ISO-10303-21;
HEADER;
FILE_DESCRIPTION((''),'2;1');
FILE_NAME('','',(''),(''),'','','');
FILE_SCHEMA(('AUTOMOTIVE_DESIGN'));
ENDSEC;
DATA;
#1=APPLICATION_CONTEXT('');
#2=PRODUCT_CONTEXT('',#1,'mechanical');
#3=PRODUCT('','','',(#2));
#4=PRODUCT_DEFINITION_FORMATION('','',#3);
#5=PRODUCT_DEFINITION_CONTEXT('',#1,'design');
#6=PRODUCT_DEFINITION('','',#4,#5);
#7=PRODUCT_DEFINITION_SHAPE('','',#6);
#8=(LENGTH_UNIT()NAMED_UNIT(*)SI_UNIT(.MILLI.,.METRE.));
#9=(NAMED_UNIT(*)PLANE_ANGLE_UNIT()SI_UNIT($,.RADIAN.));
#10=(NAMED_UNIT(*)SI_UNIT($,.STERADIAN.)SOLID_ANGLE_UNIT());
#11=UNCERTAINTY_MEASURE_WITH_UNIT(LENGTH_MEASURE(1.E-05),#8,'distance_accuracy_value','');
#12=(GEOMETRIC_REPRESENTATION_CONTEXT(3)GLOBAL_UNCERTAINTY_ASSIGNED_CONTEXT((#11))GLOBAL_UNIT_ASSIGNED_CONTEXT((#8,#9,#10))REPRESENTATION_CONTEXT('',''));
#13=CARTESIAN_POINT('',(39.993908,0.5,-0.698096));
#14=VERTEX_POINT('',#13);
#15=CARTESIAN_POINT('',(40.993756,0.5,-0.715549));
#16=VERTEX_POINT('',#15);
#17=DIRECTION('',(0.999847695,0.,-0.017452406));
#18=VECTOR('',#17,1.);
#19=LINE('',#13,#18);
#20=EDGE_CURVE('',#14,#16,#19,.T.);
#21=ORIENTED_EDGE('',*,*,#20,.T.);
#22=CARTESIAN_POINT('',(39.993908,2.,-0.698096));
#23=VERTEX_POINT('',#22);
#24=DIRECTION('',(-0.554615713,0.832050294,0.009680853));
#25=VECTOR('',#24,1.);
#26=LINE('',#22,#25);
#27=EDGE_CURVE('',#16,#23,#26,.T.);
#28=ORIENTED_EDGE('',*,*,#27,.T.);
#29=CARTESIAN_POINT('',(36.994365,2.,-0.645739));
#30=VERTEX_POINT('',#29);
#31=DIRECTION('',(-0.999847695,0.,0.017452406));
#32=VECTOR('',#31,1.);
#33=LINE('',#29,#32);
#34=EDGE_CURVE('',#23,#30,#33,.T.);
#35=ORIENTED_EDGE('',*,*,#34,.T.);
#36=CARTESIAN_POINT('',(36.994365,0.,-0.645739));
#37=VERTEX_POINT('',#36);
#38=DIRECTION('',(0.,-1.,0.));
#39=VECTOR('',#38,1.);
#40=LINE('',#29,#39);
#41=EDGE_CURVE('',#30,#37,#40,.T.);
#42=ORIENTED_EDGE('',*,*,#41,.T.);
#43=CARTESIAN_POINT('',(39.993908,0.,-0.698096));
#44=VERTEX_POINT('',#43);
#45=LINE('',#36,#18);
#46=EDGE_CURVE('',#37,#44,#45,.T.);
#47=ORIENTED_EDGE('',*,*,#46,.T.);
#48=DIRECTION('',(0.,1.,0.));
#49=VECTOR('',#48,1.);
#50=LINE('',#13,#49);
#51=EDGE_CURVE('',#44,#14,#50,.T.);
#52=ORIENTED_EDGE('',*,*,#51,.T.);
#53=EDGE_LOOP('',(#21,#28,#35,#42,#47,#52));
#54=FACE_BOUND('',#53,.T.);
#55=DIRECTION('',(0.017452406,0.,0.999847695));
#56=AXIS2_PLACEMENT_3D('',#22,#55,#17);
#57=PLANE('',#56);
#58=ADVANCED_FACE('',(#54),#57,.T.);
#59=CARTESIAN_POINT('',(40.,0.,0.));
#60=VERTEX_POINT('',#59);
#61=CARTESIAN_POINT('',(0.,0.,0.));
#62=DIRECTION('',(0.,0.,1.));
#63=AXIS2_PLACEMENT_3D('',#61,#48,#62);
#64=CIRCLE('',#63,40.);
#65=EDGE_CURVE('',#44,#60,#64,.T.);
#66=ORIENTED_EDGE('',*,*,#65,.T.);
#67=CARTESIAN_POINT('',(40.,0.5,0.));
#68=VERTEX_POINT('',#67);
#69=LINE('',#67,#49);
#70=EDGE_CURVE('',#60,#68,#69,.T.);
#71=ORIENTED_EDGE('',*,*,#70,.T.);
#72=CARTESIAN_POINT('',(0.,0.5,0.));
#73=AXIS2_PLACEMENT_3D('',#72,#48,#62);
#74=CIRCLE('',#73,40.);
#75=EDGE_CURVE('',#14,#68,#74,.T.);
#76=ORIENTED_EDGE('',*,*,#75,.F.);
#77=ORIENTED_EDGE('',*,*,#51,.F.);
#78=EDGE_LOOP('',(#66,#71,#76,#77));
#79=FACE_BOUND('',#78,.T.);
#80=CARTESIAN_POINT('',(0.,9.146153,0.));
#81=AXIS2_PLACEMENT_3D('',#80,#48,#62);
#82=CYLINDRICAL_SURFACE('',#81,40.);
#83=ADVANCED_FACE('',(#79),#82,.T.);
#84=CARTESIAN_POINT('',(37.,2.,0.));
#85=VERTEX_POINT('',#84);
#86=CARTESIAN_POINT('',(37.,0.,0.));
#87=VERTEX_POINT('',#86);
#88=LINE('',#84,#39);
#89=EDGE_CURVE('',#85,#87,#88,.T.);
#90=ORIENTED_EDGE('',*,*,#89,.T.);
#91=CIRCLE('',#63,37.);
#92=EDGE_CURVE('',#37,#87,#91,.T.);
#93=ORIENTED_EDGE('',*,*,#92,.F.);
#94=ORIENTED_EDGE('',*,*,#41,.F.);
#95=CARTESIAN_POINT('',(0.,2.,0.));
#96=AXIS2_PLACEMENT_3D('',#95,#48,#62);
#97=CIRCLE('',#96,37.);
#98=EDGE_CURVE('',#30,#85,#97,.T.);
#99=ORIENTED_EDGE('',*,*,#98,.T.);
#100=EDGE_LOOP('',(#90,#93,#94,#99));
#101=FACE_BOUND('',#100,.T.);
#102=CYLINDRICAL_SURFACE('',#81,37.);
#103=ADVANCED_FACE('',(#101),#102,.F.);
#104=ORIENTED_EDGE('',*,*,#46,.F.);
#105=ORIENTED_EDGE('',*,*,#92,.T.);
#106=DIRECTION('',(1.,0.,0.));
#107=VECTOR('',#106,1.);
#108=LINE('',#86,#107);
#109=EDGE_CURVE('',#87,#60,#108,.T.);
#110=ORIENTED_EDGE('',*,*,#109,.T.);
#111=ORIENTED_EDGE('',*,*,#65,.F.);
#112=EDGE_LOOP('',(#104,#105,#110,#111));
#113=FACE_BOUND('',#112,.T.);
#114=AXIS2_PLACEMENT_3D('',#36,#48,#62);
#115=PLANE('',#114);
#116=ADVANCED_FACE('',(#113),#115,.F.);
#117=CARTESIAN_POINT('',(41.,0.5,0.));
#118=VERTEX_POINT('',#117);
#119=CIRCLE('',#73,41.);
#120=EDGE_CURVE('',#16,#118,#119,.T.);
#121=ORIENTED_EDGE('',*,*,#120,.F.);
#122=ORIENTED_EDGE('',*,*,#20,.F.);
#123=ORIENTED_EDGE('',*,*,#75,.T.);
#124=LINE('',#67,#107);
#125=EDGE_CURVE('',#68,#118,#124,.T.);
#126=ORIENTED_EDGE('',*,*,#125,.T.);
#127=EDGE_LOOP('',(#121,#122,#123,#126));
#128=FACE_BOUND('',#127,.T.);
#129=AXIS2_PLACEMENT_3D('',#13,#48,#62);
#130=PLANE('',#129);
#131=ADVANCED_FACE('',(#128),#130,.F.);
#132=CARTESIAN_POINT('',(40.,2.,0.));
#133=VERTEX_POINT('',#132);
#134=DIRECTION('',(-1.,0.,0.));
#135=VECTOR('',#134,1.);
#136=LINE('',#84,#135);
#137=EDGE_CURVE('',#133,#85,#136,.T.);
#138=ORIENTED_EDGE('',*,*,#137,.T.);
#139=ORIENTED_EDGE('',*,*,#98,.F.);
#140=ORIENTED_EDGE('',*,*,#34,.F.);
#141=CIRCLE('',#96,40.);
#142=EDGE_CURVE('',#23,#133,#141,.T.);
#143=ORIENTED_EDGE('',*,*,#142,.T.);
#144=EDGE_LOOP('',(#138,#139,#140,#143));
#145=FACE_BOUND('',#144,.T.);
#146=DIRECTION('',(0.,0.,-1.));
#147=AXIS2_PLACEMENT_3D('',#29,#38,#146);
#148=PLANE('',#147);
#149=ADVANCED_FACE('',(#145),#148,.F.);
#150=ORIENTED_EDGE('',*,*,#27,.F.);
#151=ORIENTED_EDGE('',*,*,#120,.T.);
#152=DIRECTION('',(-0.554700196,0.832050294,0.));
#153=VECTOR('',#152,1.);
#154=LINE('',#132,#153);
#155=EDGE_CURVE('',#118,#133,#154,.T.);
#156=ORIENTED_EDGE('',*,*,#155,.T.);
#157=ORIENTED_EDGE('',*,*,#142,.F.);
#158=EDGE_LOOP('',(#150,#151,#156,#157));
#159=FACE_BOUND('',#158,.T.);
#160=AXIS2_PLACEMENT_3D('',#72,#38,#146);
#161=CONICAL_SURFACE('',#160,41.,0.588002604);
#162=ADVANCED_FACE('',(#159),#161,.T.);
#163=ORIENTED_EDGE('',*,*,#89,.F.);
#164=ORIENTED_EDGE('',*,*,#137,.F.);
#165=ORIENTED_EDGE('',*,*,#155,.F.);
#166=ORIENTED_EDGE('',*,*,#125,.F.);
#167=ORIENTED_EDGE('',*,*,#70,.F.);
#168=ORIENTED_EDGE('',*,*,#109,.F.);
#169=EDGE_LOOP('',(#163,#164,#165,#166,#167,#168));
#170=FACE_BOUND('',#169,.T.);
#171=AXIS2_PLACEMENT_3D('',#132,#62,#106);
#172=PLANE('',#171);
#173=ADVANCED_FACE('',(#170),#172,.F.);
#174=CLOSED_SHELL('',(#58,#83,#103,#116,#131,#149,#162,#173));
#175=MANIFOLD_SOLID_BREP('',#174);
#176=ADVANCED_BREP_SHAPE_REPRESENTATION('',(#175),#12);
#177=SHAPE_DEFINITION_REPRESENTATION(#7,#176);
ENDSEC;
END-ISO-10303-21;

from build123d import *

# Parameters (mm, degrees)
REVOLVE_1_ANGLE = 359


with BuildPart() as part:
    # 草图1 → 旋转1 (revolve)
    with BuildSketch(Plane.XY):
        Polygon((37, 2), (37, 0), (40, 0), (40, 0.5), (41, 0.5), (40, 2), align=None)
    revolve(axis=Axis((0, 9.146153059, 0), (0, -1, 0)), revolution_arc=REVOLVE_1_ANGLE)


solid = part.part
